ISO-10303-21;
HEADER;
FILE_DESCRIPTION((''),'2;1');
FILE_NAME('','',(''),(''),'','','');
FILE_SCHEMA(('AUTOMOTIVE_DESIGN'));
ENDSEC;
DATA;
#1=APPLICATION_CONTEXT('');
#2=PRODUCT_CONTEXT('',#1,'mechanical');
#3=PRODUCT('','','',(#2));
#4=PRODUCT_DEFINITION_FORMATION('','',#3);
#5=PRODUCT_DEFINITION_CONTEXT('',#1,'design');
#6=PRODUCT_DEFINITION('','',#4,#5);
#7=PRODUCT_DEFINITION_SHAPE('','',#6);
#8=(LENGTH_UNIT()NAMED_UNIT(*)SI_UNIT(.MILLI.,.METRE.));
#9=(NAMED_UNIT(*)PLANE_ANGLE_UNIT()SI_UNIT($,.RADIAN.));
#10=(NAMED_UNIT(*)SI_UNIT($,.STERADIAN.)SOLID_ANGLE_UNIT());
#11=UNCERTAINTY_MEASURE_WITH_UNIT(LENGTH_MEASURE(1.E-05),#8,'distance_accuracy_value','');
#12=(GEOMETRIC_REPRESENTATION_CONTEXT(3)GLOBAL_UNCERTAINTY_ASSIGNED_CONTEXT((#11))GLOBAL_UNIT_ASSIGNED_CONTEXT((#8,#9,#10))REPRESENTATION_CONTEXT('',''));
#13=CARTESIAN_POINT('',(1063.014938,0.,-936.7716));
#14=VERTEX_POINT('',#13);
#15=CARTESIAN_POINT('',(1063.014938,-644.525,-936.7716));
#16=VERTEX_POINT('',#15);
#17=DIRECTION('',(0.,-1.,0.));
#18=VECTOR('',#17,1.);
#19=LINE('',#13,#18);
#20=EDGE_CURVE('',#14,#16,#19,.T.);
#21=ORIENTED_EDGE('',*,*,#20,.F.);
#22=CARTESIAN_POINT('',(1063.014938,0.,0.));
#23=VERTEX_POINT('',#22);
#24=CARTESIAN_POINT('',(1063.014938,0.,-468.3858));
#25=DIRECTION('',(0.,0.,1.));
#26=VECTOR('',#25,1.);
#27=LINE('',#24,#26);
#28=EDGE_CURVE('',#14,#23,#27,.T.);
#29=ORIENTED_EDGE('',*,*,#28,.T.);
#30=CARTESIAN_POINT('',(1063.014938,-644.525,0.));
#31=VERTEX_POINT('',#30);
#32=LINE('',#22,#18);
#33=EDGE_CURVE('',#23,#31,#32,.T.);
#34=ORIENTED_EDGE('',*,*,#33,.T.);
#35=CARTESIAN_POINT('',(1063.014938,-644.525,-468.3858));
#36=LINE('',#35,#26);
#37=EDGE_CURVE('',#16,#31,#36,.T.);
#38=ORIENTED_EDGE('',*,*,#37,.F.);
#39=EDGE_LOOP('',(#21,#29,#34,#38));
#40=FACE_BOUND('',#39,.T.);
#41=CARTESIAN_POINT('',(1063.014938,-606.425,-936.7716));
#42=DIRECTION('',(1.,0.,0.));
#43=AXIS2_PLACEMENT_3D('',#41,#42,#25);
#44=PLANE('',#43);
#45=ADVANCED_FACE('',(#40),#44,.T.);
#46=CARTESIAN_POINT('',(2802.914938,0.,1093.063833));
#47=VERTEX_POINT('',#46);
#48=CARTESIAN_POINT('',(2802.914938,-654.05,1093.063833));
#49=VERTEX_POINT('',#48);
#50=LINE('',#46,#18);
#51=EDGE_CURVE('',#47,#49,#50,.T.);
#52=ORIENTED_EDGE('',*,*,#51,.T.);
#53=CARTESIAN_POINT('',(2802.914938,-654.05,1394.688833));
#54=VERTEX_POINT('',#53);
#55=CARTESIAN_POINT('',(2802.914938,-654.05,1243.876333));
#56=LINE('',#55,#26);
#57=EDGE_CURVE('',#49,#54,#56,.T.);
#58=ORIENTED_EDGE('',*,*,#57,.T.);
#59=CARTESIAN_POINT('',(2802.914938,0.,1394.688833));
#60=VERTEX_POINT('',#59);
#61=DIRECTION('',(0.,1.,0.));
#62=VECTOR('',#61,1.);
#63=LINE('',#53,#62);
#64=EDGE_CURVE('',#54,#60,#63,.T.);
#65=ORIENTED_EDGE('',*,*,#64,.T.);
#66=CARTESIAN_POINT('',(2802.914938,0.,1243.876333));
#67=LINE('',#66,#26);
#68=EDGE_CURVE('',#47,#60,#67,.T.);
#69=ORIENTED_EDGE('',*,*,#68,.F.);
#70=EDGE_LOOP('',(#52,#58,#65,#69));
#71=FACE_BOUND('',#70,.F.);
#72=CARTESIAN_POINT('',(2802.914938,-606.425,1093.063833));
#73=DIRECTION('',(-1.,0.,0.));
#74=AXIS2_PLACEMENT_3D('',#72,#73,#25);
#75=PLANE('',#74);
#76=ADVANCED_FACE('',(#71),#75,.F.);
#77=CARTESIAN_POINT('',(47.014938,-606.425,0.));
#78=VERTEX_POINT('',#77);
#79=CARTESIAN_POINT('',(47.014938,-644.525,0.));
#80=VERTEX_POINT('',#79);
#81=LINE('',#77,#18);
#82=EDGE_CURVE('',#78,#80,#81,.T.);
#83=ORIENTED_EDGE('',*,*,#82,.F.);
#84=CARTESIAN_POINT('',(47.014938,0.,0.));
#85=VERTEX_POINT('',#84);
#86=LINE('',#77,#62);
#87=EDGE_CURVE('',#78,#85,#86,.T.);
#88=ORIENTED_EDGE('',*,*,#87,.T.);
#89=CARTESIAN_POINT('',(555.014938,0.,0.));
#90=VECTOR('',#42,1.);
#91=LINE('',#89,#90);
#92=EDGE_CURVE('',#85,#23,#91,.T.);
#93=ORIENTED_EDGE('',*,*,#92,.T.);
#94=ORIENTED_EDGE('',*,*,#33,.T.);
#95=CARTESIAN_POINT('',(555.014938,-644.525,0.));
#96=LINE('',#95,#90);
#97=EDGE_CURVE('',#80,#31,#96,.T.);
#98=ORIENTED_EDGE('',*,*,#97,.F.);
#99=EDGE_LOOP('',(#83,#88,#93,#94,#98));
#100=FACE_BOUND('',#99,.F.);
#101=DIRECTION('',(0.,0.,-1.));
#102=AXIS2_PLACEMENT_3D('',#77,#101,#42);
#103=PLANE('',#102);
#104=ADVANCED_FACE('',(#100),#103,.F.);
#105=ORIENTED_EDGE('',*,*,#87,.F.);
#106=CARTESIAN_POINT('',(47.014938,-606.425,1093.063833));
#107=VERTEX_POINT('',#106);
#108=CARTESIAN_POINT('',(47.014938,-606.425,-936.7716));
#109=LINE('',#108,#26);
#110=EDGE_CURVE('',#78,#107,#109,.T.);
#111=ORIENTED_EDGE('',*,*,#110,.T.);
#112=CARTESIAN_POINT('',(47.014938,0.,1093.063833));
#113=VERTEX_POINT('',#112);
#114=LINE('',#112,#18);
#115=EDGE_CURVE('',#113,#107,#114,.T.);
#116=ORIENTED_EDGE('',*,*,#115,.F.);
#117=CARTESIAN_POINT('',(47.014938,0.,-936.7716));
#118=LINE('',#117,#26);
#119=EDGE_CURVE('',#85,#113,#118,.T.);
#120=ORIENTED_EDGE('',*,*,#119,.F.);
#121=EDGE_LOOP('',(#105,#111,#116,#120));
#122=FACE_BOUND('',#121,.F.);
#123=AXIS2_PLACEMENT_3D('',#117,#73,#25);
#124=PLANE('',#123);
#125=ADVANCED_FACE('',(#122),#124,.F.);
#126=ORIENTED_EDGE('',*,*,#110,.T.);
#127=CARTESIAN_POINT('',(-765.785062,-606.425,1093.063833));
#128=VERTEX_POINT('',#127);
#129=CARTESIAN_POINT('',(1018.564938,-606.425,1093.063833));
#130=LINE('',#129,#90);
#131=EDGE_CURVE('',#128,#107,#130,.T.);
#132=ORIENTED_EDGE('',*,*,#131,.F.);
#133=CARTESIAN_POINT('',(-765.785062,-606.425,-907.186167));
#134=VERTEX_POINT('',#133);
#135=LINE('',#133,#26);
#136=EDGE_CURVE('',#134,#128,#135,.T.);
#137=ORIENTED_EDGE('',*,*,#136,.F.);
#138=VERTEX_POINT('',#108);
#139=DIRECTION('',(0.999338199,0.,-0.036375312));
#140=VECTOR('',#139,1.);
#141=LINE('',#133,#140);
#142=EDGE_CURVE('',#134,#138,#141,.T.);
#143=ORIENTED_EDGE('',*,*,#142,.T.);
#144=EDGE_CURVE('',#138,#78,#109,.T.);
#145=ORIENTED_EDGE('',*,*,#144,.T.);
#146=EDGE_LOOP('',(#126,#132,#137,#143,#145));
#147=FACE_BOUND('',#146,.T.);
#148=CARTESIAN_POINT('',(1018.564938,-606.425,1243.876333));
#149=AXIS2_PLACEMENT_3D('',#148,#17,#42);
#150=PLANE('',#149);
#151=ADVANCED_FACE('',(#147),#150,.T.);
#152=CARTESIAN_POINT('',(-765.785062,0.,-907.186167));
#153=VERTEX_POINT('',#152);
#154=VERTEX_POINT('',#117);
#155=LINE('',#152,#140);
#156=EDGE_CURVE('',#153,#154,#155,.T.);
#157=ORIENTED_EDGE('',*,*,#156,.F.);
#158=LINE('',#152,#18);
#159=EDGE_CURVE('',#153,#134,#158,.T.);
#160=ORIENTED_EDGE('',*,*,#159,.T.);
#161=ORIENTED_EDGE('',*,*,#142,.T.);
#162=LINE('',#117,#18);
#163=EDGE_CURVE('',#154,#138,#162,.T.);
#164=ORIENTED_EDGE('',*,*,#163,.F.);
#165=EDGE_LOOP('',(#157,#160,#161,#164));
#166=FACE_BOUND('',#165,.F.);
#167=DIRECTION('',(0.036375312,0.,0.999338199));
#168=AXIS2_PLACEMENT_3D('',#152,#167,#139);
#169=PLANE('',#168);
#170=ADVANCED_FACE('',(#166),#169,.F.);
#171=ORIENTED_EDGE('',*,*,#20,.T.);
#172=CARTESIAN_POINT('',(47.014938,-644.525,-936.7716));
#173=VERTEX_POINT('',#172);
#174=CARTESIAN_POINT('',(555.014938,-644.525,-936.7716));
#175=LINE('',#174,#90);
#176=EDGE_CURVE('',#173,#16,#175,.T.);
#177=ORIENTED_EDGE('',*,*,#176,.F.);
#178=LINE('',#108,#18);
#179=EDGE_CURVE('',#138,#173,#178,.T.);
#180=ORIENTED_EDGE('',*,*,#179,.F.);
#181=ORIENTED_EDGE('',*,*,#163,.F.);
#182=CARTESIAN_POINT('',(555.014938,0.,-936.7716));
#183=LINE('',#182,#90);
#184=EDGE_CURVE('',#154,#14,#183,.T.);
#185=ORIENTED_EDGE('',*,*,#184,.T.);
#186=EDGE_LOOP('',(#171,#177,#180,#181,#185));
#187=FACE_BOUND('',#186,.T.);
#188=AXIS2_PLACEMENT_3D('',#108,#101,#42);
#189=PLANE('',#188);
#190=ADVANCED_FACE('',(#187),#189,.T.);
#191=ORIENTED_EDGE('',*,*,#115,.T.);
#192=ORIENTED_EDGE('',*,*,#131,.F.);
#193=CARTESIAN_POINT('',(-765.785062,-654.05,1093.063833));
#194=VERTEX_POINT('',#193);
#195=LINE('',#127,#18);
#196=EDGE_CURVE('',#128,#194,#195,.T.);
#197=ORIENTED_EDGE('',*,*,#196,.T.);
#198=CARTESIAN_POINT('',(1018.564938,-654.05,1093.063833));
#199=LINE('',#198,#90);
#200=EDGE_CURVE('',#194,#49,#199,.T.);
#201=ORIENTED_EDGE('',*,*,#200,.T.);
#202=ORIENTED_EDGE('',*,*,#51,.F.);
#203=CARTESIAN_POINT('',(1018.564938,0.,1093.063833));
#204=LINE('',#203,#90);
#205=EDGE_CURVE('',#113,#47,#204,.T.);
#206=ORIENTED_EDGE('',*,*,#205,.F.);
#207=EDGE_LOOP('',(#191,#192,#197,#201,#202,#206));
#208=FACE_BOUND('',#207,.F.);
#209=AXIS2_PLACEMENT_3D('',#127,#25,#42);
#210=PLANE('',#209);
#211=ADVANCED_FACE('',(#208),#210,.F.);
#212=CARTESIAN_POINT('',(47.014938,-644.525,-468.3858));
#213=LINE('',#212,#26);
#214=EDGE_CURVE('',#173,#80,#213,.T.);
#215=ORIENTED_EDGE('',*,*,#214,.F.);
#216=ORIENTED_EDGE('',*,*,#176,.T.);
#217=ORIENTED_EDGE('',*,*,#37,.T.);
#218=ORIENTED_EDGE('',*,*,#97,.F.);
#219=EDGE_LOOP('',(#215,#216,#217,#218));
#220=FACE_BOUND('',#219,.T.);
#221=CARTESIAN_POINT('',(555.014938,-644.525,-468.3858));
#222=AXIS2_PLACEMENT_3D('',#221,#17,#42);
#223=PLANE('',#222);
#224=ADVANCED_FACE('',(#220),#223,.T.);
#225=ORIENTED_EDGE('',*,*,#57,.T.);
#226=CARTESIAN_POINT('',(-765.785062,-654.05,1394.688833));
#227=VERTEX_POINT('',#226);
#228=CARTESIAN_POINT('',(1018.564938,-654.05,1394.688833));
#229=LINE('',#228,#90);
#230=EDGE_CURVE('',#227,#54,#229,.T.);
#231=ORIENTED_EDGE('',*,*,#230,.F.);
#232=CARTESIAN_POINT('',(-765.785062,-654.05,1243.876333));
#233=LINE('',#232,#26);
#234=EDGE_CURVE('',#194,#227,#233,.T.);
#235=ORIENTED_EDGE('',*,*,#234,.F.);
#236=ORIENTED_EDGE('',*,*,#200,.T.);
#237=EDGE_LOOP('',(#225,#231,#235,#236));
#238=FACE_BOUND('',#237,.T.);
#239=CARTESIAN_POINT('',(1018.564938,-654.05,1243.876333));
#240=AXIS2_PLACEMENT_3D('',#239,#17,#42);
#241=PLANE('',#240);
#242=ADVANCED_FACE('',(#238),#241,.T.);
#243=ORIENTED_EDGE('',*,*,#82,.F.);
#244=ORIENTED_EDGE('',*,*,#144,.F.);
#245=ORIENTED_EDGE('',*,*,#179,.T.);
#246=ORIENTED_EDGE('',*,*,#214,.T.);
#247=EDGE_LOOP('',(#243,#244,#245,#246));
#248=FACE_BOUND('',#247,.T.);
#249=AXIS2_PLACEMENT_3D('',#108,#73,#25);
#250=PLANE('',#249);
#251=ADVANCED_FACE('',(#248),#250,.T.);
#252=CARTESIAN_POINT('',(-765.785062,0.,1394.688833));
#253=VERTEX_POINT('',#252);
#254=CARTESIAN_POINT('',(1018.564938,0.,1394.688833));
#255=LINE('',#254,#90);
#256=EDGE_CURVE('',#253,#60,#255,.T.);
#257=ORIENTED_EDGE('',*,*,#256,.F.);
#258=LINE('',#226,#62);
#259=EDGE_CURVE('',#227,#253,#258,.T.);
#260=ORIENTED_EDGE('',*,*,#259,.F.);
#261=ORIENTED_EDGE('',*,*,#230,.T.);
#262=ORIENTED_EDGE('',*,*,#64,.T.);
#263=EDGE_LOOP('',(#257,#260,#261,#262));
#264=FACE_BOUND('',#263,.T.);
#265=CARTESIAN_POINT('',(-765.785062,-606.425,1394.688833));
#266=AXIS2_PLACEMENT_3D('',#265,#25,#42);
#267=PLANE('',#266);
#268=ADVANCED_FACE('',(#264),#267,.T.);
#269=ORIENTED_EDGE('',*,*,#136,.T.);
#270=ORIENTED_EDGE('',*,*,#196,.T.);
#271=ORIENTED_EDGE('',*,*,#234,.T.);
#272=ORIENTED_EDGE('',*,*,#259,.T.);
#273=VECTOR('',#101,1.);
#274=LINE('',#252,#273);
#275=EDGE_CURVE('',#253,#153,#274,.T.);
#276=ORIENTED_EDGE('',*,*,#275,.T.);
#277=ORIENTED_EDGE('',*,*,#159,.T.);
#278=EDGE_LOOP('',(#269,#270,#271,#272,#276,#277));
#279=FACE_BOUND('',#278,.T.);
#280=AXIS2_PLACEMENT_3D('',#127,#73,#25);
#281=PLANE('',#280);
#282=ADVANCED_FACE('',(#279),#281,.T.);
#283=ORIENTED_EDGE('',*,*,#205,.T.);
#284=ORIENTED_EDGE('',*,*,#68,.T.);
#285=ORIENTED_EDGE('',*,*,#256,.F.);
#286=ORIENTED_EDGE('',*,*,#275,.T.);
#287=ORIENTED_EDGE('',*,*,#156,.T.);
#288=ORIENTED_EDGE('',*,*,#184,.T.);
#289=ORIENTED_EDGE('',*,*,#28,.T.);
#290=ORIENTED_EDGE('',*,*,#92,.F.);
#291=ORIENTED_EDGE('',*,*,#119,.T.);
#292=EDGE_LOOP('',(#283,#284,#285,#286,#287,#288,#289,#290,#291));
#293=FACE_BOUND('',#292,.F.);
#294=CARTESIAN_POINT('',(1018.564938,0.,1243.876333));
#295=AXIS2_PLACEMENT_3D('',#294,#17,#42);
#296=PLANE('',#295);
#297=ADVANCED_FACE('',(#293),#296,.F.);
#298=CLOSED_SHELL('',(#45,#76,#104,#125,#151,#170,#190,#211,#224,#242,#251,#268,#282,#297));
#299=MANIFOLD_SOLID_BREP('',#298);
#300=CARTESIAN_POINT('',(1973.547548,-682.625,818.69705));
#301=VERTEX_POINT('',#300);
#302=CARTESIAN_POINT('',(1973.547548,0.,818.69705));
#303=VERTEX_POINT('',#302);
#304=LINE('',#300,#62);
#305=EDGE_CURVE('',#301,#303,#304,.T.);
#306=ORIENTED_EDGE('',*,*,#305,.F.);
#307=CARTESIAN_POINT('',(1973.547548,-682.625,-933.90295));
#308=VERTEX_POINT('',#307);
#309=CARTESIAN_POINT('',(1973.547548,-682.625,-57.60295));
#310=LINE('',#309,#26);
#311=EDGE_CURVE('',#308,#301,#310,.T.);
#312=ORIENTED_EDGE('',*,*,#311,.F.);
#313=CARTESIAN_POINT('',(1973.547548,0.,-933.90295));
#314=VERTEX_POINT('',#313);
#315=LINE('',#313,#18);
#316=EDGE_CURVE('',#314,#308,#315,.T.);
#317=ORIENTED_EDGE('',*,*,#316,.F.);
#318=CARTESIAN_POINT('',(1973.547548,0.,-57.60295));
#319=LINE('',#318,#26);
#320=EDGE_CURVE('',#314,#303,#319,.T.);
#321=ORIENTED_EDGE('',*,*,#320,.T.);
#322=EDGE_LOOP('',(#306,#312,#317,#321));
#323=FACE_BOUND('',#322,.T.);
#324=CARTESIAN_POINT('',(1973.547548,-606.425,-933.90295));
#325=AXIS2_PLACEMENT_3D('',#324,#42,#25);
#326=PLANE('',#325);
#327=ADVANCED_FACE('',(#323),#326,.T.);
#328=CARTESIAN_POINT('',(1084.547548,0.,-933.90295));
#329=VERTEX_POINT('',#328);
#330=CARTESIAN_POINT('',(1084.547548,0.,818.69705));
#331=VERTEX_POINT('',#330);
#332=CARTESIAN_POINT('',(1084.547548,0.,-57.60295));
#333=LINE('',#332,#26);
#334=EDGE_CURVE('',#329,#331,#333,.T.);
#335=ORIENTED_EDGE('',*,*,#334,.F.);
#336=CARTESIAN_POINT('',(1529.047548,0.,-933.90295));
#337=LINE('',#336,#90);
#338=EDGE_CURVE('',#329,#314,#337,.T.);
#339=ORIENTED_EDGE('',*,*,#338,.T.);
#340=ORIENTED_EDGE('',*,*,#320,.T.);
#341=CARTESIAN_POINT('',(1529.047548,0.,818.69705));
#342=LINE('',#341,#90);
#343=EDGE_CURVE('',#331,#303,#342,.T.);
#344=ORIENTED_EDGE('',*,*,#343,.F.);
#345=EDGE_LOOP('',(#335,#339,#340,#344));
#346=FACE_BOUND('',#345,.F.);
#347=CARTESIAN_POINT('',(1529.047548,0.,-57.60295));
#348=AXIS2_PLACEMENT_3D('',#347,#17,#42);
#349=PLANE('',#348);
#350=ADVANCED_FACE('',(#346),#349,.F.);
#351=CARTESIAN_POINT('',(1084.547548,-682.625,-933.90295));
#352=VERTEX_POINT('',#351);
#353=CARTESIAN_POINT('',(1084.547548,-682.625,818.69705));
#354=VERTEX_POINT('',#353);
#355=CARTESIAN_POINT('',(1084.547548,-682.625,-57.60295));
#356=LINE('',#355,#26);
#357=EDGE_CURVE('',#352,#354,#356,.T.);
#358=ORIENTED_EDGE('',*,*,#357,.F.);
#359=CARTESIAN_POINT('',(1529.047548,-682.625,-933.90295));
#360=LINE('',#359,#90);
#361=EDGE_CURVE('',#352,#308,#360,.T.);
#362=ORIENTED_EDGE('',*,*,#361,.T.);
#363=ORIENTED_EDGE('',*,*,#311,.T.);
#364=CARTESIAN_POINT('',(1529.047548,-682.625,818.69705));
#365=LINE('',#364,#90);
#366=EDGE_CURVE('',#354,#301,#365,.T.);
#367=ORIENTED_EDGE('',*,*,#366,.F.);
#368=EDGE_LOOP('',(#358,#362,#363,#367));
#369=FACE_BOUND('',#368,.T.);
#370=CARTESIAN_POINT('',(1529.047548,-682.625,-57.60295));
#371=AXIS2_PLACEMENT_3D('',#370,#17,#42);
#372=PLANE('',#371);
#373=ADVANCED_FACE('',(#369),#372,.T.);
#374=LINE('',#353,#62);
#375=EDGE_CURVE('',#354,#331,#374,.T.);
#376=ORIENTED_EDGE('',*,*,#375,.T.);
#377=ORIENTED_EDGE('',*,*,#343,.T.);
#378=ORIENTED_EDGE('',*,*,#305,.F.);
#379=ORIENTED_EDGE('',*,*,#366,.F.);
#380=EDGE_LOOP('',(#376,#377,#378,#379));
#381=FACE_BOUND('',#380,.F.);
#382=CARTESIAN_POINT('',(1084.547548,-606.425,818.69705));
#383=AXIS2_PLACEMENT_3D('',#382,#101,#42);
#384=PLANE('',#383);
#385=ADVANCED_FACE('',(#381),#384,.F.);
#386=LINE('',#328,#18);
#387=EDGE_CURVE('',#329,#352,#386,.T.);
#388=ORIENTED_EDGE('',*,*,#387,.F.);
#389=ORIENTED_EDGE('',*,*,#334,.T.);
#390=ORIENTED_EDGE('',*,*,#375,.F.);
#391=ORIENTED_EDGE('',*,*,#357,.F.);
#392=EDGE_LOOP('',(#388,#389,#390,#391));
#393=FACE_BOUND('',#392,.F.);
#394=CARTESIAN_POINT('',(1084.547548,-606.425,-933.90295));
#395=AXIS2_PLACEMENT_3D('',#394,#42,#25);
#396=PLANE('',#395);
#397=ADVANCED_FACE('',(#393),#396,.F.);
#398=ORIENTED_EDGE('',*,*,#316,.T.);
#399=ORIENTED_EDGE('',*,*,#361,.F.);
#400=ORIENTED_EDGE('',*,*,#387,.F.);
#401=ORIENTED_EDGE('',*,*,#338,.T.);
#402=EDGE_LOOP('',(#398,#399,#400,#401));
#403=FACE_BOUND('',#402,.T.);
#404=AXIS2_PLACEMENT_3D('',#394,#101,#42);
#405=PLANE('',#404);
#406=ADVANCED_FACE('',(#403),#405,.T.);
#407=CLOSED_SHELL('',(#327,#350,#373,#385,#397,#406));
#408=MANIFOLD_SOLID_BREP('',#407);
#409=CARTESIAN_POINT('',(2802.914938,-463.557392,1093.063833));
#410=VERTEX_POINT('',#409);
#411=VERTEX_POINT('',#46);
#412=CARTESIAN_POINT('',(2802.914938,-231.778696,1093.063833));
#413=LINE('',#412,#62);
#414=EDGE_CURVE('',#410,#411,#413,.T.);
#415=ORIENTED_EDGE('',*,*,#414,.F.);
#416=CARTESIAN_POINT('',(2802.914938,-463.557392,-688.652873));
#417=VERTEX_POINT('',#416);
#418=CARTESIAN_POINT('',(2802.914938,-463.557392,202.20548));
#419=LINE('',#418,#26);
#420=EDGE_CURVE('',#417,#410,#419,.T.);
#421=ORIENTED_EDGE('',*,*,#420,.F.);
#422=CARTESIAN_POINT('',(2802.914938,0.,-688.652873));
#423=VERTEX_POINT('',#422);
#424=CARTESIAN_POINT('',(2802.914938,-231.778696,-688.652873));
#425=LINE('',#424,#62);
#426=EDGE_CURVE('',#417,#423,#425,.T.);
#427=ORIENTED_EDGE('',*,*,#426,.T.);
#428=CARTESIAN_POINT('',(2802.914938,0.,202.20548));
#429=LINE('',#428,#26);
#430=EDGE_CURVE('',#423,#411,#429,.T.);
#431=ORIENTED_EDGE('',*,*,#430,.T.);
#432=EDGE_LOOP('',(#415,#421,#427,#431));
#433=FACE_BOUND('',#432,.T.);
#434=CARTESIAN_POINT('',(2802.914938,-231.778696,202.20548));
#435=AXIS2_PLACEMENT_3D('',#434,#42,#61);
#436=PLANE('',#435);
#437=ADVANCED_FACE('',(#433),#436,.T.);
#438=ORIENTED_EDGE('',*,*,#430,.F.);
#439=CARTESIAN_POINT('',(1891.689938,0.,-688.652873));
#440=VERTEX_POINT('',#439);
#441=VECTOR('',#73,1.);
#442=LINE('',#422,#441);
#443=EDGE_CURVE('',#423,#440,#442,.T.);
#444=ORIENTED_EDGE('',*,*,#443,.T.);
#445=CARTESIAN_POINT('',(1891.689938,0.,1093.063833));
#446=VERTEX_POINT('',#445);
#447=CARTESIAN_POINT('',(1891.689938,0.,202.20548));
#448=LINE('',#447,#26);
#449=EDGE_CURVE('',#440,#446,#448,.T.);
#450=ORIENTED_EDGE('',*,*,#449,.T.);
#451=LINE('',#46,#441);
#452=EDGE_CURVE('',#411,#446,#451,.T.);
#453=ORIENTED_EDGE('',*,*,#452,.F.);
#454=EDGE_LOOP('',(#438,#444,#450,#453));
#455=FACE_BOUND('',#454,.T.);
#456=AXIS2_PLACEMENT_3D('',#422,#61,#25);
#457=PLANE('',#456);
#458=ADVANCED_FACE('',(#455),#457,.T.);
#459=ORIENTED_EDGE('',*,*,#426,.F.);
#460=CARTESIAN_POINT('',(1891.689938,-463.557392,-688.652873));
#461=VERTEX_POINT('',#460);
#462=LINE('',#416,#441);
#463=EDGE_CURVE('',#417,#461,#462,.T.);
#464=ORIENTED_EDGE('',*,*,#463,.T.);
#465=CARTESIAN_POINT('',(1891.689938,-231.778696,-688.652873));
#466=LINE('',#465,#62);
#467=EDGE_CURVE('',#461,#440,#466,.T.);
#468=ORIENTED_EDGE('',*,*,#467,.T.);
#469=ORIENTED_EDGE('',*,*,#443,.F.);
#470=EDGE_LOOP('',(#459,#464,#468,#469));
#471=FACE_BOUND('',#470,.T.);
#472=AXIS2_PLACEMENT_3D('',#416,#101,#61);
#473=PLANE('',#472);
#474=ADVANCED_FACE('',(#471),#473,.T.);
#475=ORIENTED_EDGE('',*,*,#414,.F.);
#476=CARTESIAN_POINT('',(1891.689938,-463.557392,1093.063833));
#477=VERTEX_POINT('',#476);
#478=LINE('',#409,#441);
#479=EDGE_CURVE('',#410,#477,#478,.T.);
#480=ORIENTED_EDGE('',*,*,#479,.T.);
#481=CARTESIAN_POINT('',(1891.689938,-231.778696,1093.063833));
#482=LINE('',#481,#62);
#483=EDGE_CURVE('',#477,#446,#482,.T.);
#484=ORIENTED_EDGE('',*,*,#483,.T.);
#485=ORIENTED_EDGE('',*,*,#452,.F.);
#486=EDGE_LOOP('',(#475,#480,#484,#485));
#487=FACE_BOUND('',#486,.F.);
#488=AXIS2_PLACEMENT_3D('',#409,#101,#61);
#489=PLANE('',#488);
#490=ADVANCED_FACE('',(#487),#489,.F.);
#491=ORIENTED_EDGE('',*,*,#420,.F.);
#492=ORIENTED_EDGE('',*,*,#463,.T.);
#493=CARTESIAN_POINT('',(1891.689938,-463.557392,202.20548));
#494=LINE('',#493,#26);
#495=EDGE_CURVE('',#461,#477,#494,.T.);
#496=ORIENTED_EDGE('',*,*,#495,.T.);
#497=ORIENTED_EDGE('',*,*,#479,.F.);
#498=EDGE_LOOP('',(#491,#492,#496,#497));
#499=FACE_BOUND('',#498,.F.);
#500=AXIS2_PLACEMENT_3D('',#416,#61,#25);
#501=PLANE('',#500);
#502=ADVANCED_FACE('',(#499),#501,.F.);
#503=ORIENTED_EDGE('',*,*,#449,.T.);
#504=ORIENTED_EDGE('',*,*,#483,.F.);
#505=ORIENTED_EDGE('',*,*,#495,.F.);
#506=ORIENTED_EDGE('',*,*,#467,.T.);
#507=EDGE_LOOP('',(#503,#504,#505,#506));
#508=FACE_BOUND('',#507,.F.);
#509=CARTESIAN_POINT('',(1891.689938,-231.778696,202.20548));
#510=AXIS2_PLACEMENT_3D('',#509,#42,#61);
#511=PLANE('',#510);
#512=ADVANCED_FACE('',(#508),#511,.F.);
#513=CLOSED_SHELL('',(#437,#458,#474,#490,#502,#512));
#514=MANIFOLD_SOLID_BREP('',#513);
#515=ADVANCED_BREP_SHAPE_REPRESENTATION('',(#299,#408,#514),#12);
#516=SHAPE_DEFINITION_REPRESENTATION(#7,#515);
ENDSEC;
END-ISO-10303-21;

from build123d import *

# Parameters (mm, degrees)
F1_DEPTH      = 606.425
F2_W          = 1016
F2_H          = 936.7715999644
F3_DEPTH      = 38.1
F3_DEPTH_BACK = 606.425
F4_W          = 3568.7
F4_H          = 301.625
F5_DEPTH      = 606.425
F5_DEPTH_BACK = 47.625
F6_W          = 889
F6_H          = 1752.6
F7_DEPTH      = 76.2
F7_DEPTH_BACK = 606.425
F8_W          = 463.5573923588
F8_H          = 1781.7167063635
F9_DEPTH      = 911.225


with BuildPart() as f1:
    # F0 (on Front) → F1 (new body)
    with BuildSketch(Plane.XZ):
        Polygon((-765.7850623447, 1093.0638333242), (-765.7850623447, -907.1861666758), (47.0149376553, -936.7715999644), (47.0149376553, 1093.0638333242), align=None)
    extrude(amount=F1_DEPTH)

    # F2 (on face) → F3 (join, two sides)
    with BuildSketch(Plane.XZ.offset(606.425)) as f3_sk:
        with Locations((555.0149376553, -468.3857999822)):
            Rectangle(F2_W, F2_H)
    extrude(amount=F3_DEPTH)
    extrude(f3_sk.sketch, amount=-F3_DEPTH_BACK)

    # F4 (on face) → F5 (join, two sides)
    with BuildSketch(Plane.XZ.offset(606.425)) as f5_sk:
        with Locations((1018.5649376553, 1243.8763333242)):
            Rectangle(F4_W, F4_H)
    extrude(amount=-F5_DEPTH)
    extrude(f5_sk.sketch, amount=F5_DEPTH_BACK)


with BuildPart() as f7:
    # F6 (on face) → F7 (new body, two sides)
    with BuildSketch(Plane.XZ.offset(606.425)) as f7_sk:
        with Locations((1529.0475479126, -57.6029500447)):
            Rectangle(F6_W, F6_H)
    extrude(amount=F7_DEPTH)
    extrude(f7_sk.sketch, amount=-F7_DEPTH_BACK)


with BuildPart() as f9:
    # F8 (on face) → F9 (new body)
    with BuildSketch(Plane.YZ.offset(2802.9149376553)):
        with Locations((-231.7786961794, 202.2054801425)):
            Rectangle(F8_W, F8_H)
    extrude(amount=-F9_DEPTH)


solid = Compound([f1.part, f7.part, f9.part])
